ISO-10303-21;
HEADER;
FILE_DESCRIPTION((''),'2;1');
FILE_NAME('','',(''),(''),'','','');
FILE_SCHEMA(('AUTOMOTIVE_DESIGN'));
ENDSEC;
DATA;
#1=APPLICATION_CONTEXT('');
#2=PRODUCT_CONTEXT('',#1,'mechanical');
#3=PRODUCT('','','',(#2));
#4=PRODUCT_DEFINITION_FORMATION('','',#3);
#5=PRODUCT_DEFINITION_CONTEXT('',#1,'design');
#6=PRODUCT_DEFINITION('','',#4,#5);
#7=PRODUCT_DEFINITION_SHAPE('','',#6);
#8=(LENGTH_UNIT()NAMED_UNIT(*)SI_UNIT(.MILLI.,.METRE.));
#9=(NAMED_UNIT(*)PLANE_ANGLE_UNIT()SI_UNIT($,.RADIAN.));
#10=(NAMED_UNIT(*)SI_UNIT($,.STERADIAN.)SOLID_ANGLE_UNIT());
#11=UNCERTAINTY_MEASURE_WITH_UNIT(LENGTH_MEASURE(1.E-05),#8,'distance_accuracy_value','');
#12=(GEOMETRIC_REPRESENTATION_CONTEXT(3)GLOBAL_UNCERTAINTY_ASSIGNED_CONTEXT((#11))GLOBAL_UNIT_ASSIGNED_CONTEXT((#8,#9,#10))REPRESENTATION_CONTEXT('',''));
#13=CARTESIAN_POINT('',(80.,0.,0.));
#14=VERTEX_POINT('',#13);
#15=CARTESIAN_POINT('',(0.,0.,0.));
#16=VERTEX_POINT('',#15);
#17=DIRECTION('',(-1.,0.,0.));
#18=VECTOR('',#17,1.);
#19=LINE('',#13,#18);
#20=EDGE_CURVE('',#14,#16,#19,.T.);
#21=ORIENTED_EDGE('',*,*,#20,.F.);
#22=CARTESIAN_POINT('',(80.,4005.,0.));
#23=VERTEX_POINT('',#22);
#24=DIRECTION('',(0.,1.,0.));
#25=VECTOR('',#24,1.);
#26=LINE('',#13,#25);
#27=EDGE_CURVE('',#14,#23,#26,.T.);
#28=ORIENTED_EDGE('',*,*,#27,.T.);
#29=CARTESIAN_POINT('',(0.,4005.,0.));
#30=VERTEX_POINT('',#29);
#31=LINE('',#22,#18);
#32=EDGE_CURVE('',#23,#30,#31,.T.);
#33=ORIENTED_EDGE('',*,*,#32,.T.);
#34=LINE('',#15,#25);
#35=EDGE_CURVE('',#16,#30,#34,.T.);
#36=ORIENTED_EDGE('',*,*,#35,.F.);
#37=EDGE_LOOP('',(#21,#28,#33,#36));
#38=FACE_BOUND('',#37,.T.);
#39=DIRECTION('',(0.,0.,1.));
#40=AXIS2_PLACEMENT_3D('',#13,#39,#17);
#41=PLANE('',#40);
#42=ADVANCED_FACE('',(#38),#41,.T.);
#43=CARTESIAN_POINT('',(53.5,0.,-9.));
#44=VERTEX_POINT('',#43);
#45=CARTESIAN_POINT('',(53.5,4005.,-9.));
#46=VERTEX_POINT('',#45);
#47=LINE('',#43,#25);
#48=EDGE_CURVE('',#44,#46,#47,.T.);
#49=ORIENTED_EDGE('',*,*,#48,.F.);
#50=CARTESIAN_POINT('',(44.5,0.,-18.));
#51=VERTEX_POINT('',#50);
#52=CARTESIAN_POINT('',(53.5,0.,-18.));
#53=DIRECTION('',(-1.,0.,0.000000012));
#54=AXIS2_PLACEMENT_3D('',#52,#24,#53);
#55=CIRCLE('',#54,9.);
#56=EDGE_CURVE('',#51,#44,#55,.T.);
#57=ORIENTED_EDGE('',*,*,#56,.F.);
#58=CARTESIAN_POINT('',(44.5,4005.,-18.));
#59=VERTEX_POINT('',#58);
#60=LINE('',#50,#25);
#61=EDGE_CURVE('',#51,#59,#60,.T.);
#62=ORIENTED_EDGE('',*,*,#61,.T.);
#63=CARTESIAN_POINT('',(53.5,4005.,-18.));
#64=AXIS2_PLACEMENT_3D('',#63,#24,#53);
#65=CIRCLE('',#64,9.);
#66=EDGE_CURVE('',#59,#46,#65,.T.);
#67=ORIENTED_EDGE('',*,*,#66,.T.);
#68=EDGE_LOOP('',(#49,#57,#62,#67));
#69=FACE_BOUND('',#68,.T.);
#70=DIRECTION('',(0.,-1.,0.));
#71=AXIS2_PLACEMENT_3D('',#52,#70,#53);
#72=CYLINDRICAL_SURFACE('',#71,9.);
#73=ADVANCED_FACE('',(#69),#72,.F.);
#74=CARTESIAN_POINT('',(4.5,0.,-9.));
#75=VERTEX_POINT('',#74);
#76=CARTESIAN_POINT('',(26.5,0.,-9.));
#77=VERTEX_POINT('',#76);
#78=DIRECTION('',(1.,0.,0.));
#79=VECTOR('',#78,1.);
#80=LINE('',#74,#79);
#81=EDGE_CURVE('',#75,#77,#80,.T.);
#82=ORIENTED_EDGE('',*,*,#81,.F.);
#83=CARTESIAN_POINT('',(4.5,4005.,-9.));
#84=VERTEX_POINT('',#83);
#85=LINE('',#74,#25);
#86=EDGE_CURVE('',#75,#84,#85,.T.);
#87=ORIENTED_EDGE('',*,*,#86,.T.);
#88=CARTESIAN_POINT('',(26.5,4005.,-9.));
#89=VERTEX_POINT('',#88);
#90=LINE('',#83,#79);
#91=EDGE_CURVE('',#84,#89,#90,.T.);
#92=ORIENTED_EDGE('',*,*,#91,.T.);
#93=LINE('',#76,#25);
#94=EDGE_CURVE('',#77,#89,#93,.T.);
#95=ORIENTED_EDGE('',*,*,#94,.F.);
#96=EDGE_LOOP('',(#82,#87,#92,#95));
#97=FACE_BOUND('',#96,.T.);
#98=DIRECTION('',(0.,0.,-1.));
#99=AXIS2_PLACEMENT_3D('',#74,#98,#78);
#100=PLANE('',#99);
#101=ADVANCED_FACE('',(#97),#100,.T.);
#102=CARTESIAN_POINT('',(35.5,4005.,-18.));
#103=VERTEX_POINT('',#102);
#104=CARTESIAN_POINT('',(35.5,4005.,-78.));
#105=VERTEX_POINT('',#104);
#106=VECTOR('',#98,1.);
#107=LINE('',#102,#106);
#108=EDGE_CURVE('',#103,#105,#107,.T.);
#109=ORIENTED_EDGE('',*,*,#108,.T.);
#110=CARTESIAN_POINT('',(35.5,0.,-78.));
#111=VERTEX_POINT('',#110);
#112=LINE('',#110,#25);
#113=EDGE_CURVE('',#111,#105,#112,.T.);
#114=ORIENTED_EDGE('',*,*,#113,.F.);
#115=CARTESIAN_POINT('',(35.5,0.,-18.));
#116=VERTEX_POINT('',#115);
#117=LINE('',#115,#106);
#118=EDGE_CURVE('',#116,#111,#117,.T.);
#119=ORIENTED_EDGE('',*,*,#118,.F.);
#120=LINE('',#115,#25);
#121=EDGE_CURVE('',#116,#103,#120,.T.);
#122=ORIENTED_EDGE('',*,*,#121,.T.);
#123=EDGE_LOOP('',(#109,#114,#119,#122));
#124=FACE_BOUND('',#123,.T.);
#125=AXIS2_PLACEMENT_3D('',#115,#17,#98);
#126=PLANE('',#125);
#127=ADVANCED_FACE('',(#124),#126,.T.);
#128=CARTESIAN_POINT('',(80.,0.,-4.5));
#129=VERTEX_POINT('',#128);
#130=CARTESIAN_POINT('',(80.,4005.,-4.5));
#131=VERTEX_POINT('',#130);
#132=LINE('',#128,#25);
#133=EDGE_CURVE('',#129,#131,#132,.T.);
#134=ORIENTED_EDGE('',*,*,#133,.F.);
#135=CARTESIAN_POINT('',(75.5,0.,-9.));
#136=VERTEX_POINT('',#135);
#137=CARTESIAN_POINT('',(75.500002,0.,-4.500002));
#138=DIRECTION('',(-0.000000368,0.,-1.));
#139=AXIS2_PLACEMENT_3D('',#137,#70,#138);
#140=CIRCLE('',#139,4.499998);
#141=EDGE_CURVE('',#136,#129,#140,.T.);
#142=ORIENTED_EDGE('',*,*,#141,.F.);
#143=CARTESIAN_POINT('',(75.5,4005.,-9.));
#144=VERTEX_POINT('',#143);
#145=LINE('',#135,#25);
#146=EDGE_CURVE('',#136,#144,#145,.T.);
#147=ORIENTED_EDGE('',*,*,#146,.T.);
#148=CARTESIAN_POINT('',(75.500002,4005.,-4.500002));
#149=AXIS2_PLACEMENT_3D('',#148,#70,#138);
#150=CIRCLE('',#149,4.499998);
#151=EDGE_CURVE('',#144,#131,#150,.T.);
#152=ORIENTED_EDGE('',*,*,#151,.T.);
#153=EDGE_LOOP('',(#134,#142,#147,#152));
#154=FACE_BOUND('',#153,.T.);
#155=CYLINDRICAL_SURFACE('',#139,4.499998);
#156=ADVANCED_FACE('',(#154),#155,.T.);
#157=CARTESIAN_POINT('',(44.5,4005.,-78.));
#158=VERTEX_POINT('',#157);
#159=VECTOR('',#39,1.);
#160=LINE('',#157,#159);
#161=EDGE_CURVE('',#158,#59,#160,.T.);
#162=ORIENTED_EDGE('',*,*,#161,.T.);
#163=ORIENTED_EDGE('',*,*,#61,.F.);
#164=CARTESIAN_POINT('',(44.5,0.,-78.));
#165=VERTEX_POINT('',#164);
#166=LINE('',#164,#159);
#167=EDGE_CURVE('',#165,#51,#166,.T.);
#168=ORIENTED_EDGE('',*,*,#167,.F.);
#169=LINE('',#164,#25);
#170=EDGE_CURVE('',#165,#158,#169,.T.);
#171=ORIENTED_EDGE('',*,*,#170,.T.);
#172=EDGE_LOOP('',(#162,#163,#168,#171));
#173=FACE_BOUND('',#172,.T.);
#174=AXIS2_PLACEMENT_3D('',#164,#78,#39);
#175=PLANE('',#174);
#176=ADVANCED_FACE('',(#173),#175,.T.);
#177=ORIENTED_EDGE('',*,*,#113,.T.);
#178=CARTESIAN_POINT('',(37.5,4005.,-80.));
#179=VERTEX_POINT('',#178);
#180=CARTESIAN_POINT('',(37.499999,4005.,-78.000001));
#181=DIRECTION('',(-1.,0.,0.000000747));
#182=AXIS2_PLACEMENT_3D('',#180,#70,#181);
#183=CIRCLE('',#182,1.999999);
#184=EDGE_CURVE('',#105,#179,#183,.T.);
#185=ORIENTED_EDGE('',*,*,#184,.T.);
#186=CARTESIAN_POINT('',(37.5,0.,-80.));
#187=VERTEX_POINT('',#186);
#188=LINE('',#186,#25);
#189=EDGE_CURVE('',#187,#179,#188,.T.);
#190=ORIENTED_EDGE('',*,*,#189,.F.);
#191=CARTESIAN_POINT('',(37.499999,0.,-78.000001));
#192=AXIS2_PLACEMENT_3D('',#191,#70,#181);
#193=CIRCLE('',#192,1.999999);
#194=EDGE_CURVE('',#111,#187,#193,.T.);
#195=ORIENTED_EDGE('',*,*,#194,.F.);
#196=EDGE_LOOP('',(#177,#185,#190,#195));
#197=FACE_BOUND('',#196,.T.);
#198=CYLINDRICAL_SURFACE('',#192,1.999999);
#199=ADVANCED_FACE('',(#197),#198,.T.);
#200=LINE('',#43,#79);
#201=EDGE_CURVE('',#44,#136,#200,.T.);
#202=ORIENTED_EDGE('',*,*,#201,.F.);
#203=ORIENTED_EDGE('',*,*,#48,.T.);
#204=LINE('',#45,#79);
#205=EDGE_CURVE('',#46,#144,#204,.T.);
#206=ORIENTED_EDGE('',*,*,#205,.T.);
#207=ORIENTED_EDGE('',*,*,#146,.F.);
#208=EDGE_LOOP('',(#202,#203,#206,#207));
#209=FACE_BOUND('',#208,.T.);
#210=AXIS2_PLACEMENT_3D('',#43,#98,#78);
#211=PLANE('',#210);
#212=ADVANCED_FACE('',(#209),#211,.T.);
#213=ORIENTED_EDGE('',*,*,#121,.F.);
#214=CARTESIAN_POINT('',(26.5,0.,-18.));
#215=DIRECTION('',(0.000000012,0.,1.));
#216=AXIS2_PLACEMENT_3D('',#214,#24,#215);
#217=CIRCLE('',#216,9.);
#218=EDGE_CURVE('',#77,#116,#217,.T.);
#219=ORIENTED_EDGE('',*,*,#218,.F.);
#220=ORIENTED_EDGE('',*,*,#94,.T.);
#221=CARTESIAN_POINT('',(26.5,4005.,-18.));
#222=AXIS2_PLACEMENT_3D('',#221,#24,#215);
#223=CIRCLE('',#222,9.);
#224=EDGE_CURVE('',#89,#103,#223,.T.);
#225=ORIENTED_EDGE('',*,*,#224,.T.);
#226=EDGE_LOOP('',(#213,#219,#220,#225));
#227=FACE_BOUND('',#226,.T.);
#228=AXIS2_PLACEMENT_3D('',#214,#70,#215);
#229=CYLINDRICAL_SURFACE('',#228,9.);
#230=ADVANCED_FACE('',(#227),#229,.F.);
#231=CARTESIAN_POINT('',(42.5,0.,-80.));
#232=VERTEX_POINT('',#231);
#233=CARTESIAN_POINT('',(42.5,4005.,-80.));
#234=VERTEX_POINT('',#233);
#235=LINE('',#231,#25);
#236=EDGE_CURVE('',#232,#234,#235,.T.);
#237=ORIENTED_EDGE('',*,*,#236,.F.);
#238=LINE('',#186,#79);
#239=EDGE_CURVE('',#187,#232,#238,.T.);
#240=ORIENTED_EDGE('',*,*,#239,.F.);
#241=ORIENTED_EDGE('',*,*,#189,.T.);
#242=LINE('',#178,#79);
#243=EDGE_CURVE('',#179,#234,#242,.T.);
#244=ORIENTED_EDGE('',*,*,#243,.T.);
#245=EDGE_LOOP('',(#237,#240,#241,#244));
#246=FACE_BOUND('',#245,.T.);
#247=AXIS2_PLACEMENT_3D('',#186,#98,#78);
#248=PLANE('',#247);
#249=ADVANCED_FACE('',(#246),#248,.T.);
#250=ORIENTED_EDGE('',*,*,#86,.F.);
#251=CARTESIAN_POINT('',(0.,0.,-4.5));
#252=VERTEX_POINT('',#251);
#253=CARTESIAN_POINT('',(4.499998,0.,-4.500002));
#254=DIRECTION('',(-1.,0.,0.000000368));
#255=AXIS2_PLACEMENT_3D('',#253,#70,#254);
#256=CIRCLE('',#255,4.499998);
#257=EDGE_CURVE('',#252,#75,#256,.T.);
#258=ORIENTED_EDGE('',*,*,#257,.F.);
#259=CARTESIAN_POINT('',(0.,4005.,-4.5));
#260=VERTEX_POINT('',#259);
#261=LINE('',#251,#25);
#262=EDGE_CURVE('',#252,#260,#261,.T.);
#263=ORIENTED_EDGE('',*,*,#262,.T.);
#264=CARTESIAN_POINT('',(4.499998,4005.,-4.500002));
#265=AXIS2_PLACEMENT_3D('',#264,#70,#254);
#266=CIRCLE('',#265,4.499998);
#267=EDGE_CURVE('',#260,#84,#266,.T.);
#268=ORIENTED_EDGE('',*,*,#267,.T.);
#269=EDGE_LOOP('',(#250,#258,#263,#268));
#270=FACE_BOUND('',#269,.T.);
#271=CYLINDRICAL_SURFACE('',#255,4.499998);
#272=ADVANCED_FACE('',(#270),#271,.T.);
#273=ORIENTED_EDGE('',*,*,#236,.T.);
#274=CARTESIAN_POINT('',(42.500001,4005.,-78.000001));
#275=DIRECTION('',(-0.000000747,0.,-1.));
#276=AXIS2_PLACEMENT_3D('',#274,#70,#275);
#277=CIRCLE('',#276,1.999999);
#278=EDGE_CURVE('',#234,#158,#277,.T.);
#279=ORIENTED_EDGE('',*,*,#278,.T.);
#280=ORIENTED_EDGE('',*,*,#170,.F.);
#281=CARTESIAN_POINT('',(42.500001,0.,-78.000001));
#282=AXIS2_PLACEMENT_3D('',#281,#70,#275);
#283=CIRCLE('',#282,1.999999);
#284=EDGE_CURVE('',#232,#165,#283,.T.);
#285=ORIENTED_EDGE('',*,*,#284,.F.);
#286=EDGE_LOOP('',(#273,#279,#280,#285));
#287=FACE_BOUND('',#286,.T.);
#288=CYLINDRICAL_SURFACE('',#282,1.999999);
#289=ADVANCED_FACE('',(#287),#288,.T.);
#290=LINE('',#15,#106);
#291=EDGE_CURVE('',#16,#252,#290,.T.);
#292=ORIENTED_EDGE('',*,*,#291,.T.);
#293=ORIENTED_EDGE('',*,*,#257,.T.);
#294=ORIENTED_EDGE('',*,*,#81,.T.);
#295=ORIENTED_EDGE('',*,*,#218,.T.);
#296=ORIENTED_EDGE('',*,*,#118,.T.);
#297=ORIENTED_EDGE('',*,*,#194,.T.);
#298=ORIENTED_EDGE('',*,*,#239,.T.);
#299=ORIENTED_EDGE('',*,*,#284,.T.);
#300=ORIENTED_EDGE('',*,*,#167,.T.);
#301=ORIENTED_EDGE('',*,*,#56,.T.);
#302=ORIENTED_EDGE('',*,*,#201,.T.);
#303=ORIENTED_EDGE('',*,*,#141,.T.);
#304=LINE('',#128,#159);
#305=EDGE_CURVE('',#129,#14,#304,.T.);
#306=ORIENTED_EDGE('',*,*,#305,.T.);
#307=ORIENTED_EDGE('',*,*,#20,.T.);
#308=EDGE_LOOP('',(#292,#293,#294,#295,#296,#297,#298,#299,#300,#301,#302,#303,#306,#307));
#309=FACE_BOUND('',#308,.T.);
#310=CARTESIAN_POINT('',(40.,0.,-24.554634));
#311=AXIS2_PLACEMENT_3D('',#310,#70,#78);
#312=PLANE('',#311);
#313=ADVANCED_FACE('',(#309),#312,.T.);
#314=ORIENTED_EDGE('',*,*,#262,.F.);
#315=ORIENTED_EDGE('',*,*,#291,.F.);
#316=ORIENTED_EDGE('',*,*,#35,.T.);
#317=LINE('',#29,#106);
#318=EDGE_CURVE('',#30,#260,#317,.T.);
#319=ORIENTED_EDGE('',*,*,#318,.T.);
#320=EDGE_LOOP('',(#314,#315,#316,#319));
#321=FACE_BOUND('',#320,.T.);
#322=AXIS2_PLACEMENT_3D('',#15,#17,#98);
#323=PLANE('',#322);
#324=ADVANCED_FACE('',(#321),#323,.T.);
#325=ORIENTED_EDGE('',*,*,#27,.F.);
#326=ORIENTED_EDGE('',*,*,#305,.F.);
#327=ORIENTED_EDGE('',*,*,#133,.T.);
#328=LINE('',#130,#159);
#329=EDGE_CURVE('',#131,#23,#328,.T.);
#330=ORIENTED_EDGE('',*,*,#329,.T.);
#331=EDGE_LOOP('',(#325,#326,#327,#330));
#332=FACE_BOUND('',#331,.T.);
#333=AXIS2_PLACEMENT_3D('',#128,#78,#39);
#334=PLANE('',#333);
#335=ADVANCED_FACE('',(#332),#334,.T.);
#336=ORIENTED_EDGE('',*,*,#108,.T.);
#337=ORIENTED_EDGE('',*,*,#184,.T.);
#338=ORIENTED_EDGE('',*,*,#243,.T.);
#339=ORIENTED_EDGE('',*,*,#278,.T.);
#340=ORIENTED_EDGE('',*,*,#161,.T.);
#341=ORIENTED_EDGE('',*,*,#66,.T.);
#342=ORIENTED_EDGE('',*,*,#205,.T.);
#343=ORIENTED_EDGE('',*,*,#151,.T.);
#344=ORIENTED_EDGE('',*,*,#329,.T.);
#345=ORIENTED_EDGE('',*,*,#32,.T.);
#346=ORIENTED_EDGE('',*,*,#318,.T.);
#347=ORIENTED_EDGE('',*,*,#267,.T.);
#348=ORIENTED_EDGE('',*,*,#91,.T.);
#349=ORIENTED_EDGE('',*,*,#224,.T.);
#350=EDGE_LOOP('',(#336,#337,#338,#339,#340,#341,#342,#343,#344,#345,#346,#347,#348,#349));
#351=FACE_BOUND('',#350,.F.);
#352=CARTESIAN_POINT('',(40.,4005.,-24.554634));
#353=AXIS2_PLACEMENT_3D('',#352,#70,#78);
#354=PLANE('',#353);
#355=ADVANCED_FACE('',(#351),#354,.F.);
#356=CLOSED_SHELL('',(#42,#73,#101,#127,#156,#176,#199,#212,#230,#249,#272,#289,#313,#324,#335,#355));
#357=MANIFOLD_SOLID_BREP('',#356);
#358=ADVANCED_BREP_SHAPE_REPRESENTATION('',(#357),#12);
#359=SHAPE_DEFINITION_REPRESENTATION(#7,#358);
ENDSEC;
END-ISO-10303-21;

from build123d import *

# Parameters (mm, degrees)
F1_DEPTH = 4005


with BuildPart() as f1:
    # F0 (on Front) → F1 (new body)
    with BuildSketch(Plane.XZ):
        with BuildLine():
            Line((35.5, 0), (0, 0))
            Line((0, 0), (0, -4.5))
            ThreePointArc((0, -4.5), (1.318019, -7.681981), (4.5, -9))
            Line((4.5, -9), (26.5, -9))
            ThreePointArc((26.5, -9), (32.863961, -11.636039), (35.5, -18))
            Line((35.5, -18), (35.5, -78))
            ThreePointArc((35.5, -78), (36.085786, -79.414214), (37.5, -80))
            Line((37.5, -80), (42.5, -80))
            ThreePointArc((42.5, -80), (43.914214, -79.414214), (44.5, -78))
            Line((44.5, -78), (44.5, -18))
            ThreePointArc((44.5, -18), (47.136039, -11.636039), (53.5, -9))
            Line((53.5, -9), (75.5, -9))
            ThreePointArc((75.5, -9), (78.681981, -7.681981), (80, -4.5))
            Line((80, -4.5), (80, 0))
            Line((80, 0), (44.5, 0))
            Line((44.5, 0), (35.5, 0))
        make_face()
    extrude(amount=-F1_DEPTH)


solid = f1.part
